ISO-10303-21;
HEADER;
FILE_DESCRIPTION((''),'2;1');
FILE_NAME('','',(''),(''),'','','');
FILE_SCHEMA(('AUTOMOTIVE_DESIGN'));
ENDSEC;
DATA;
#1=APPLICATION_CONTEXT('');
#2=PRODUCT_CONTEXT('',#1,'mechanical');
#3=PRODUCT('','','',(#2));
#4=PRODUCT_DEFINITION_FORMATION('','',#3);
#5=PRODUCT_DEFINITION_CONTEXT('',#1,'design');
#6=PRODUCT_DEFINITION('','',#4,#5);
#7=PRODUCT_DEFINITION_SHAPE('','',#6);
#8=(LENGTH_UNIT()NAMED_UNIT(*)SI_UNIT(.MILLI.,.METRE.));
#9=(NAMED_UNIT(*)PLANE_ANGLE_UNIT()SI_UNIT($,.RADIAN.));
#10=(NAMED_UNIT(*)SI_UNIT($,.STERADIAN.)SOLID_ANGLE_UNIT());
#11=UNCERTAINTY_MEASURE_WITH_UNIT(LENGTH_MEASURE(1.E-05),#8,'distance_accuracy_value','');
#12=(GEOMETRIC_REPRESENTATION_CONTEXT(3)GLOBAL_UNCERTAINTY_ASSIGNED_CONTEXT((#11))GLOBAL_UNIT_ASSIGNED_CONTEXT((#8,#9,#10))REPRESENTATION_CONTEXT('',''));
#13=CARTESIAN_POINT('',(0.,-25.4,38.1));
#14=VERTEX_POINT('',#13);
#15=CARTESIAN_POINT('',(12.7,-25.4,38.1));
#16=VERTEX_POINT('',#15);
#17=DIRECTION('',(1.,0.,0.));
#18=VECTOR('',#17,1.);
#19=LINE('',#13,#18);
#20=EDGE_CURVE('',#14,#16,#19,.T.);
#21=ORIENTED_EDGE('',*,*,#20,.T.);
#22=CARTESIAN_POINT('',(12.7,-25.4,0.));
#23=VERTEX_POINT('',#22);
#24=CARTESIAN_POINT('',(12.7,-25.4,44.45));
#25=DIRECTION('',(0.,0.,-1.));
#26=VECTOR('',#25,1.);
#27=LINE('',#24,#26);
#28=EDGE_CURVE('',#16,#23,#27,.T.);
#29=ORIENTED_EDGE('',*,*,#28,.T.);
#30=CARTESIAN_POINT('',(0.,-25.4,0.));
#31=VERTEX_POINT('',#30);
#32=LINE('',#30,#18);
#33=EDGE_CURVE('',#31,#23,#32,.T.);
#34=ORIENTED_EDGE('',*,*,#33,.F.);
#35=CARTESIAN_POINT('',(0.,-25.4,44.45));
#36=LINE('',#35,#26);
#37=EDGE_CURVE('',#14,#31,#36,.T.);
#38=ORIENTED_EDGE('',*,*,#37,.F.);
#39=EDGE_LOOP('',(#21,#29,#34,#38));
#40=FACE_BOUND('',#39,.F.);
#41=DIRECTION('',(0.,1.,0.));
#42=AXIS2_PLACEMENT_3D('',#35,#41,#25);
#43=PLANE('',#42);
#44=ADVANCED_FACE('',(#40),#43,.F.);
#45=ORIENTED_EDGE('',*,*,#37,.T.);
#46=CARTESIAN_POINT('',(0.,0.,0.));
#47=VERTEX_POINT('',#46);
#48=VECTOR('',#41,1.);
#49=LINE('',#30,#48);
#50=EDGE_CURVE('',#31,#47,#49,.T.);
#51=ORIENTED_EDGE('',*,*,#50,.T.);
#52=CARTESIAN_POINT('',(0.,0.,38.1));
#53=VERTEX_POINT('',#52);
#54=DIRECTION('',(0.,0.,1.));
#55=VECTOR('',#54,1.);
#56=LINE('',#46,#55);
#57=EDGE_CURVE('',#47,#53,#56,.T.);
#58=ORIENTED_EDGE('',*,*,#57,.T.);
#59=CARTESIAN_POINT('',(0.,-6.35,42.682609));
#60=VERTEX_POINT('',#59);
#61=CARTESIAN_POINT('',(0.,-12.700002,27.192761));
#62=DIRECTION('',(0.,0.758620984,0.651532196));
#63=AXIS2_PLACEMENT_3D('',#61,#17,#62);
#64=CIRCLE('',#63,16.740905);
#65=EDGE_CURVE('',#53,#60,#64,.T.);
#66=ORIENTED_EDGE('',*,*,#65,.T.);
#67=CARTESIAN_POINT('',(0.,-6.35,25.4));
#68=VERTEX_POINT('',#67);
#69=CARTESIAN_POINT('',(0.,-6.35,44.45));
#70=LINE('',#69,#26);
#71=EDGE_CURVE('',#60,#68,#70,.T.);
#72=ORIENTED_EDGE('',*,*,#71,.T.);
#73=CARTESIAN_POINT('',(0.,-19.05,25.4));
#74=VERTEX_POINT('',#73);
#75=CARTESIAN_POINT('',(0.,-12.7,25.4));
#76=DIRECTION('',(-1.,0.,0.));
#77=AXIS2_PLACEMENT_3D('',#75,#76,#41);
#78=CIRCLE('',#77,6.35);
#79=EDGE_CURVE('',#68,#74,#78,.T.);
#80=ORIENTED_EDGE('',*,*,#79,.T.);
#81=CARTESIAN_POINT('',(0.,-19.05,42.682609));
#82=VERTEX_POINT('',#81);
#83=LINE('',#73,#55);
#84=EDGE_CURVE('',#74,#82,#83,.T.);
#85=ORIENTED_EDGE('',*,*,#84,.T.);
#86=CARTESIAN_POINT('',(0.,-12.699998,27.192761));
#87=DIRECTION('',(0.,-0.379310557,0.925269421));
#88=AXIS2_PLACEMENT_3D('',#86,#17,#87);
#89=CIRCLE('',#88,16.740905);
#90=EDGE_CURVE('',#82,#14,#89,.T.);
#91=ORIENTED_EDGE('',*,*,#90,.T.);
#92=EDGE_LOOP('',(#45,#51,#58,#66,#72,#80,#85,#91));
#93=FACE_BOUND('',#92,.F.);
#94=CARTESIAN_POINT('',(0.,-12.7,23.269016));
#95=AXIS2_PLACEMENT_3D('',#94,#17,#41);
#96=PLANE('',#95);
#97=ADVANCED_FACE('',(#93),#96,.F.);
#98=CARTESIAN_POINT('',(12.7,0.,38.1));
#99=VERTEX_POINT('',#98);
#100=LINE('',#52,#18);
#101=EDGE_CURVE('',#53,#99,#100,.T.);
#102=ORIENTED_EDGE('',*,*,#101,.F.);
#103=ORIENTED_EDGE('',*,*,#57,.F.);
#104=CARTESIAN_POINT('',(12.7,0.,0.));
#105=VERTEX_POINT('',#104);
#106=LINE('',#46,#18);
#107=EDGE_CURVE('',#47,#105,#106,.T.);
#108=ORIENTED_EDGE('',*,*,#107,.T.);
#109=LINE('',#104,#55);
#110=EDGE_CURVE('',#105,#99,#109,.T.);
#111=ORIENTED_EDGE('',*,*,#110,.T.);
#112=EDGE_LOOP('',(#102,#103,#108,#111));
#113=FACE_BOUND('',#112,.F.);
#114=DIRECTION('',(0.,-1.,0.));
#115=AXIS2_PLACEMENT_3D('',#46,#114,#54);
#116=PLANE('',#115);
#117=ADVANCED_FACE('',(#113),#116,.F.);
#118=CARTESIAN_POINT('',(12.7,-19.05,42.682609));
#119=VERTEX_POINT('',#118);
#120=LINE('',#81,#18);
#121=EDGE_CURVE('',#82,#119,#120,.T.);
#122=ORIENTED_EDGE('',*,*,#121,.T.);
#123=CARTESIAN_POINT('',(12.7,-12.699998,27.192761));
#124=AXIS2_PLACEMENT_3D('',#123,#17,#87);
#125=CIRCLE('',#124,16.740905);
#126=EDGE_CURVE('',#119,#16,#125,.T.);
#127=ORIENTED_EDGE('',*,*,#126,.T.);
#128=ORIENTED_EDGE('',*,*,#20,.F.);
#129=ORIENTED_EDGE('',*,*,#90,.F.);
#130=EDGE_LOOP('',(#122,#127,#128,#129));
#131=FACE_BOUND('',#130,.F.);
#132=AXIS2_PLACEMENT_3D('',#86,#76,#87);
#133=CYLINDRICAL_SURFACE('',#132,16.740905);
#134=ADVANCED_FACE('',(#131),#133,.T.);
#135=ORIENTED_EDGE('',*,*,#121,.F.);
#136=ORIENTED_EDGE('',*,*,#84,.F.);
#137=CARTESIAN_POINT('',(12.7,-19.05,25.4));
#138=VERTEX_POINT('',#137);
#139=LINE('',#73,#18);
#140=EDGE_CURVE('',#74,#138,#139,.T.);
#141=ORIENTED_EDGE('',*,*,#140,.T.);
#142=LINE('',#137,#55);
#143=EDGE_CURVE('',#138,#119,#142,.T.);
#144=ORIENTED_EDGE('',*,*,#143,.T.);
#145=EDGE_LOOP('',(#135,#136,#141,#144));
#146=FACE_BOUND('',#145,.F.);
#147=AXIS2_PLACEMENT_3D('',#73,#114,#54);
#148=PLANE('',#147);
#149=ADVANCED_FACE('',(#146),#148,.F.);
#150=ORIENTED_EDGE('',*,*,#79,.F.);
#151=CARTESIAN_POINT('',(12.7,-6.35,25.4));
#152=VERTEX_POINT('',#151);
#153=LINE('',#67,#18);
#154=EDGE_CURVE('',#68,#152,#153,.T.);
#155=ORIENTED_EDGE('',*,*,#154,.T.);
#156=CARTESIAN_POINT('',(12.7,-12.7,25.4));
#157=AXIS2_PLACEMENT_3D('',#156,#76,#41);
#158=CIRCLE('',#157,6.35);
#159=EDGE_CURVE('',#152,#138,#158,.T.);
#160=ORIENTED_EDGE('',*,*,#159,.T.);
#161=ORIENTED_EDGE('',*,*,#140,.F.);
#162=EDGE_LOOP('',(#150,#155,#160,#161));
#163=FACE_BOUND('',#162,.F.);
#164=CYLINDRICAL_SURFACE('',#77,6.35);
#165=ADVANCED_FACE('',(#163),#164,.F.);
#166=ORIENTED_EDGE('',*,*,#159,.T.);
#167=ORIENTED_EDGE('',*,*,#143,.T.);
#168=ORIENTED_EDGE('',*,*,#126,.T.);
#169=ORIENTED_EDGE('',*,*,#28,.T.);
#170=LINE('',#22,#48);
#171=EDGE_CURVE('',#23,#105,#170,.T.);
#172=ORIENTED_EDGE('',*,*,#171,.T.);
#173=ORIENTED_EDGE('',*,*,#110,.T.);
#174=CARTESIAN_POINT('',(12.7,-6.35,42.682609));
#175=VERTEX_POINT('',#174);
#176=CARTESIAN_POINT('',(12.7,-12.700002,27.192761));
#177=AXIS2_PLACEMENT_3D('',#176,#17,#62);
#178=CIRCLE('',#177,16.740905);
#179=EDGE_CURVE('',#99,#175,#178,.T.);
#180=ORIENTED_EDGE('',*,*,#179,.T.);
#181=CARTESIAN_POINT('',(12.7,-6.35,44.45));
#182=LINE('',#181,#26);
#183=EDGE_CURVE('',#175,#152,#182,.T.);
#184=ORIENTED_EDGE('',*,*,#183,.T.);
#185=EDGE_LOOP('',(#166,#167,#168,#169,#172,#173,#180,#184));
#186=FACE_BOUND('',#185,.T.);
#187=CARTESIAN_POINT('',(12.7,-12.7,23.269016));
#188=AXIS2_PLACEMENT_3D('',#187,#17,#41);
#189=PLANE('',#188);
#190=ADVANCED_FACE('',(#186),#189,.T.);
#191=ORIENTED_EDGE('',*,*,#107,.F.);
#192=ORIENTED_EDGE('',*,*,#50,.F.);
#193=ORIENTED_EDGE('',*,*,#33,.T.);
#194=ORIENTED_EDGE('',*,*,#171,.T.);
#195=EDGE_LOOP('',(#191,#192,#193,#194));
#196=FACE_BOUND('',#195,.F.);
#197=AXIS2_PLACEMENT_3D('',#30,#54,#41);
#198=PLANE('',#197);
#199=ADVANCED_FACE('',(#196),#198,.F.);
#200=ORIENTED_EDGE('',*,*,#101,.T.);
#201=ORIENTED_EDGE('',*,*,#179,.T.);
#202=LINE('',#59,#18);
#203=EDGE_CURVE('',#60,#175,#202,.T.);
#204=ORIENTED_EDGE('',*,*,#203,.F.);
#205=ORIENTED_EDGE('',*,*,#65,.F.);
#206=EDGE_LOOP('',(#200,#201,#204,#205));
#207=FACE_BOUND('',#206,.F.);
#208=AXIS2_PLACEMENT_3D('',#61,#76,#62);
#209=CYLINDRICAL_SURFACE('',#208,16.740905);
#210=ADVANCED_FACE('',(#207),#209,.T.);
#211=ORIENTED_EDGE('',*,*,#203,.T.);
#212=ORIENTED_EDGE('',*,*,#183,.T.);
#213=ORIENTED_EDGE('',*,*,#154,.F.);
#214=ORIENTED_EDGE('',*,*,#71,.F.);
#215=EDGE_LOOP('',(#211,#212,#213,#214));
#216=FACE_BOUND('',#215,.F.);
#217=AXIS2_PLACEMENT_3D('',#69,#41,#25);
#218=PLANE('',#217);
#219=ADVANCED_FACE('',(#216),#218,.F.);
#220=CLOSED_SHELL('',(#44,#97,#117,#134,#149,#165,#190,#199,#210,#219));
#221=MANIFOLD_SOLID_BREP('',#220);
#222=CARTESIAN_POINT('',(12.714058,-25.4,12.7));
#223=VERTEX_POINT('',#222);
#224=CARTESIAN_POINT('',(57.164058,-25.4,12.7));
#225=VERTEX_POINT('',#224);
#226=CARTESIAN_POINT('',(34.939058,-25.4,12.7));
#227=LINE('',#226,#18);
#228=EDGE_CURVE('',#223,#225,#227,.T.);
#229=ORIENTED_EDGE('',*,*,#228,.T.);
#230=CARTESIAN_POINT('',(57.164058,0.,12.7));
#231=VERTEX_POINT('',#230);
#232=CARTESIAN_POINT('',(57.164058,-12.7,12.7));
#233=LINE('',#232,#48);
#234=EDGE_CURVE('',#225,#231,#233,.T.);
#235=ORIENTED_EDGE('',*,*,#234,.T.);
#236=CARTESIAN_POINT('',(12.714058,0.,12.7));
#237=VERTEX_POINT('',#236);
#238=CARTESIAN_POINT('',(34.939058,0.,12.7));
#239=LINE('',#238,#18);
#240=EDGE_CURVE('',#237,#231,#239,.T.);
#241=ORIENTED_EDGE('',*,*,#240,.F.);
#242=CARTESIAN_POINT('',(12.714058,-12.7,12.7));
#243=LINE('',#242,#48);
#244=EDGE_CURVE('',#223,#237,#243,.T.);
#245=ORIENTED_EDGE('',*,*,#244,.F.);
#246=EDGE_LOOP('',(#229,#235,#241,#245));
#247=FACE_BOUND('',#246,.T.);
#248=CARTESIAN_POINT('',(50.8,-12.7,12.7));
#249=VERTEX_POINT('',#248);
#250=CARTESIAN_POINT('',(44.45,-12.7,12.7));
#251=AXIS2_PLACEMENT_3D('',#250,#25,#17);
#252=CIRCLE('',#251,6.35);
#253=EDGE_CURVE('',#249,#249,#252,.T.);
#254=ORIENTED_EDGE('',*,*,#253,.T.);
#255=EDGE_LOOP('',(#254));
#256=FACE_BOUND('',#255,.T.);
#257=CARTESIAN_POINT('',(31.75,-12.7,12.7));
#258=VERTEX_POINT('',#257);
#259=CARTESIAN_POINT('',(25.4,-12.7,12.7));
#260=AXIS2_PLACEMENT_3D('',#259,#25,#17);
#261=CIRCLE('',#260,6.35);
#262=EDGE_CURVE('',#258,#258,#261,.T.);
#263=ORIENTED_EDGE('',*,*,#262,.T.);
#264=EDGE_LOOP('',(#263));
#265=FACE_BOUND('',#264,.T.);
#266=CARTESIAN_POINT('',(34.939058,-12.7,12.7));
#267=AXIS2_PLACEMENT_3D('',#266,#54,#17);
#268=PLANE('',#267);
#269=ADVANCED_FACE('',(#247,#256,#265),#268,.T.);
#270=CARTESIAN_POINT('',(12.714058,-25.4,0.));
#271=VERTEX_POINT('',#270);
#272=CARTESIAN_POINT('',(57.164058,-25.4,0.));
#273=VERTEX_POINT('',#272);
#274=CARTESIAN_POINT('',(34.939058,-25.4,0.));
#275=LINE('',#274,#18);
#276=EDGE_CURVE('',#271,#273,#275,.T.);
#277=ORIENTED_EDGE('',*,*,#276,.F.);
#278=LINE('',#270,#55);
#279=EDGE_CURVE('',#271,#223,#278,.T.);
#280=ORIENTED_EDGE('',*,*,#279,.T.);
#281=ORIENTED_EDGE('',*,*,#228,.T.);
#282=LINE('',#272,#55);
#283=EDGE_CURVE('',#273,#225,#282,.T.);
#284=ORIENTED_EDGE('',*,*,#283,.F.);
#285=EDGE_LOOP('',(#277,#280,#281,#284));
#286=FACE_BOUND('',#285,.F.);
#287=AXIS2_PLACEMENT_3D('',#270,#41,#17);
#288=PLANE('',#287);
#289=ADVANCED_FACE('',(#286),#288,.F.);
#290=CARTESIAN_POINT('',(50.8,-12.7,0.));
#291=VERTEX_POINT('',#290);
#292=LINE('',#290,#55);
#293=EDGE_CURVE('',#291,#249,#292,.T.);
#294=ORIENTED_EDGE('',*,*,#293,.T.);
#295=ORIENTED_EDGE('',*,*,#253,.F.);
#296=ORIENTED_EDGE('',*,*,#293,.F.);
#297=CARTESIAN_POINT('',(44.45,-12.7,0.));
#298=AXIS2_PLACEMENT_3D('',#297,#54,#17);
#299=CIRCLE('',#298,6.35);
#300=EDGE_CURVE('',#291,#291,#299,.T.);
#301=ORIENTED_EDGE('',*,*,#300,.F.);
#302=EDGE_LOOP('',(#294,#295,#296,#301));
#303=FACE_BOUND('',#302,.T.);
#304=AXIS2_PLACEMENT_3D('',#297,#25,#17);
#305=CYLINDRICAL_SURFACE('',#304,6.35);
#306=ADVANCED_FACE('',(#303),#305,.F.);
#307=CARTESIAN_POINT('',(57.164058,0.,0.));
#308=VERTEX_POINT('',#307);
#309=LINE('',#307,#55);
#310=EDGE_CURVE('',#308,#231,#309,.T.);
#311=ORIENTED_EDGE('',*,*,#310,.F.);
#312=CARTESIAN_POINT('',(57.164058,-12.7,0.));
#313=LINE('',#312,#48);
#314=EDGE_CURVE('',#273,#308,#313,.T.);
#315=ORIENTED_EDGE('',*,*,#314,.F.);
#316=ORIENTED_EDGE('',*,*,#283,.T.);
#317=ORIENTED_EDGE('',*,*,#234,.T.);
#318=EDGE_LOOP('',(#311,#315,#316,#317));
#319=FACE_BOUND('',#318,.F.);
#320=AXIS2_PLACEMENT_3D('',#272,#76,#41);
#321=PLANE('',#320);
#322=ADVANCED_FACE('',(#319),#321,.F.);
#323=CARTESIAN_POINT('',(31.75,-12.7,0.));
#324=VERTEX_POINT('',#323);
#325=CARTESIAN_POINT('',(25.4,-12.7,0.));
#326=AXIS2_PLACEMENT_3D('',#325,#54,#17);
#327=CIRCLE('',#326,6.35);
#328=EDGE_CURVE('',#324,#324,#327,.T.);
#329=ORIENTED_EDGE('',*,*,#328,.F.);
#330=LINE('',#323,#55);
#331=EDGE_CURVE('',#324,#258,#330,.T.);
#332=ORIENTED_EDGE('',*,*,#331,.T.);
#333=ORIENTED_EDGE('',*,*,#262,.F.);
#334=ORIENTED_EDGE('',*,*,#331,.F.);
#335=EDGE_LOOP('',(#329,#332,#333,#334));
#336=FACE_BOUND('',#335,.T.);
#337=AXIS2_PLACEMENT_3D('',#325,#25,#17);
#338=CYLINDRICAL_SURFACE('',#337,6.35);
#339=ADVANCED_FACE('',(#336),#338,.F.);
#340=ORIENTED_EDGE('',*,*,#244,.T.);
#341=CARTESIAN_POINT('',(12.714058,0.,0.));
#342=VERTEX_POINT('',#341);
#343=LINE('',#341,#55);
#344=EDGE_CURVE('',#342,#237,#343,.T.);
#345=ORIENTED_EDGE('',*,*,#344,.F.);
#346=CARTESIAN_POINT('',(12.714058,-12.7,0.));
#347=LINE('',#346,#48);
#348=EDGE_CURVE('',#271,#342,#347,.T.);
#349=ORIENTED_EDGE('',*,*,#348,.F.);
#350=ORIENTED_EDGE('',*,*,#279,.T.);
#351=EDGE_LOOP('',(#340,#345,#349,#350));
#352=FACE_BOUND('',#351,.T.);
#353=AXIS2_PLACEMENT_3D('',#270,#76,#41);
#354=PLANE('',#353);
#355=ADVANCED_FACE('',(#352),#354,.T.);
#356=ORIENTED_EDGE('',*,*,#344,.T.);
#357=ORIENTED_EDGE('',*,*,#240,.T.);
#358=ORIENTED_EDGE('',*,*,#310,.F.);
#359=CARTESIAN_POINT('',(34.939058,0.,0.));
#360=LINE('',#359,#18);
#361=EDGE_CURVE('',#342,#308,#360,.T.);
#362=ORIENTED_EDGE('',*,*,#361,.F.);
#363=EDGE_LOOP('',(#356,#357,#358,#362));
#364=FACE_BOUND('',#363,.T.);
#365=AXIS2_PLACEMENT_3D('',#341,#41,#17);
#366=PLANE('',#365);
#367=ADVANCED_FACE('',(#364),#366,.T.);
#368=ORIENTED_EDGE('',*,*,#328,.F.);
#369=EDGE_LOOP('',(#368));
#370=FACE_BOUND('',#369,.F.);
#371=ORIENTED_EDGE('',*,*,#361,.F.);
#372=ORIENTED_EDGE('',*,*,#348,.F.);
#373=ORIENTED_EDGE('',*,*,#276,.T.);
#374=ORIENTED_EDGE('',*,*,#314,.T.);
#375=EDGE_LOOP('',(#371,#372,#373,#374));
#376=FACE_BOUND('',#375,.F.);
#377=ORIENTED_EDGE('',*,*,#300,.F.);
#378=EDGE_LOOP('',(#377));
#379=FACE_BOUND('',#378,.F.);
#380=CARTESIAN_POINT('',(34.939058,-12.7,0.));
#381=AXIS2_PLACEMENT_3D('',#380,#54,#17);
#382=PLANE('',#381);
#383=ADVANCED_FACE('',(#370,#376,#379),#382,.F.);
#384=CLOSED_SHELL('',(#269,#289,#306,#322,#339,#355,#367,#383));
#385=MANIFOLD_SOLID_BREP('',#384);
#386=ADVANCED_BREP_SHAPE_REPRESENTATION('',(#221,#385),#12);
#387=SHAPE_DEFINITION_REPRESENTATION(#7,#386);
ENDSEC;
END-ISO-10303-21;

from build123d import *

# Parameters (mm, degrees)
F1_DEPTH = 12.7
F2_W     = 44.45
F2_H     = 25.4
F3_DEPTH = 12.7
F4_R     = 6.35
F5_DEPTH = 25.4
F7_DEPTH = 12.7


with BuildPart() as f1:
    # F0 (on Right) → F1 (new body)
    with BuildSketch(Plane.YZ):
        with BuildLine():
            Line((-25.4, 0), (0, 0))
            Line((0, 0), (0, 44.45))
            Line((0, 44.45), (-6.35, 44.45))
            Line((-6.35, 44.45), (-6.35, 25.4))
            ThreePointArc((-6.35, 25.4), (-12.7, 19.05), (-19.05, 25.4))
            Line((-19.05, 25.4), (-19.05, 44.45))
            Line((-19.05, 44.45), (-25.4, 44.45))
            Line((-25.4, 44.45), (-25.4, 0))
        make_face()
    extrude(amount=F1_DEPTH)

    # F6 (on face) → F7 (cut)
    with BuildSketch(Plane(origin=(0, 0, 0), x_dir=(0, -1, 0), z_dir=(-1, 0, 0))):
        with BuildLine():
            ThreePointArc((0, 38.1), (2.903281, 40.767818), (6.35, 42.682609))
            Line((6.35, 42.682609), (6.35, 44.45))
            Line((6.35, 44.45), (0, 44.45))
            Line((0, 44.45), (0, 38.1))
        make_face()
        with BuildLine():
            ThreePointArc((19.05, 42.682609), (22.496719, 40.767818), (25.4, 38.1))
            Line((25.4, 38.1), (25.4, 44.45))
            Line((25.4, 44.45), (19.05, 44.45))
            Line((19.05, 44.45), (19.05, 42.682609))
        make_face()
    extrude(amount=-F7_DEPTH, mode=Mode.SUBTRACT)


with BuildPart() as f3:
    # F2 (on Top) → F3 (new body)
    with BuildSketch(Plane.XY):
        with Locations((34.939058, -12.7)):
            Rectangle(F2_W, F2_H)
    extrude(amount=F3_DEPTH)

    # F4 (on Top) → F5 (cut)
    with BuildSketch(Plane.XY):
        with Locations((25.4, -12.7)):
            Circle(F4_R)
        with Locations((44.45, -12.7)):
            Circle(F4_R)
    extrude(amount=F5_DEPTH, mode=Mode.SUBTRACT)


solid = Compound([f1.part, f3.part])
